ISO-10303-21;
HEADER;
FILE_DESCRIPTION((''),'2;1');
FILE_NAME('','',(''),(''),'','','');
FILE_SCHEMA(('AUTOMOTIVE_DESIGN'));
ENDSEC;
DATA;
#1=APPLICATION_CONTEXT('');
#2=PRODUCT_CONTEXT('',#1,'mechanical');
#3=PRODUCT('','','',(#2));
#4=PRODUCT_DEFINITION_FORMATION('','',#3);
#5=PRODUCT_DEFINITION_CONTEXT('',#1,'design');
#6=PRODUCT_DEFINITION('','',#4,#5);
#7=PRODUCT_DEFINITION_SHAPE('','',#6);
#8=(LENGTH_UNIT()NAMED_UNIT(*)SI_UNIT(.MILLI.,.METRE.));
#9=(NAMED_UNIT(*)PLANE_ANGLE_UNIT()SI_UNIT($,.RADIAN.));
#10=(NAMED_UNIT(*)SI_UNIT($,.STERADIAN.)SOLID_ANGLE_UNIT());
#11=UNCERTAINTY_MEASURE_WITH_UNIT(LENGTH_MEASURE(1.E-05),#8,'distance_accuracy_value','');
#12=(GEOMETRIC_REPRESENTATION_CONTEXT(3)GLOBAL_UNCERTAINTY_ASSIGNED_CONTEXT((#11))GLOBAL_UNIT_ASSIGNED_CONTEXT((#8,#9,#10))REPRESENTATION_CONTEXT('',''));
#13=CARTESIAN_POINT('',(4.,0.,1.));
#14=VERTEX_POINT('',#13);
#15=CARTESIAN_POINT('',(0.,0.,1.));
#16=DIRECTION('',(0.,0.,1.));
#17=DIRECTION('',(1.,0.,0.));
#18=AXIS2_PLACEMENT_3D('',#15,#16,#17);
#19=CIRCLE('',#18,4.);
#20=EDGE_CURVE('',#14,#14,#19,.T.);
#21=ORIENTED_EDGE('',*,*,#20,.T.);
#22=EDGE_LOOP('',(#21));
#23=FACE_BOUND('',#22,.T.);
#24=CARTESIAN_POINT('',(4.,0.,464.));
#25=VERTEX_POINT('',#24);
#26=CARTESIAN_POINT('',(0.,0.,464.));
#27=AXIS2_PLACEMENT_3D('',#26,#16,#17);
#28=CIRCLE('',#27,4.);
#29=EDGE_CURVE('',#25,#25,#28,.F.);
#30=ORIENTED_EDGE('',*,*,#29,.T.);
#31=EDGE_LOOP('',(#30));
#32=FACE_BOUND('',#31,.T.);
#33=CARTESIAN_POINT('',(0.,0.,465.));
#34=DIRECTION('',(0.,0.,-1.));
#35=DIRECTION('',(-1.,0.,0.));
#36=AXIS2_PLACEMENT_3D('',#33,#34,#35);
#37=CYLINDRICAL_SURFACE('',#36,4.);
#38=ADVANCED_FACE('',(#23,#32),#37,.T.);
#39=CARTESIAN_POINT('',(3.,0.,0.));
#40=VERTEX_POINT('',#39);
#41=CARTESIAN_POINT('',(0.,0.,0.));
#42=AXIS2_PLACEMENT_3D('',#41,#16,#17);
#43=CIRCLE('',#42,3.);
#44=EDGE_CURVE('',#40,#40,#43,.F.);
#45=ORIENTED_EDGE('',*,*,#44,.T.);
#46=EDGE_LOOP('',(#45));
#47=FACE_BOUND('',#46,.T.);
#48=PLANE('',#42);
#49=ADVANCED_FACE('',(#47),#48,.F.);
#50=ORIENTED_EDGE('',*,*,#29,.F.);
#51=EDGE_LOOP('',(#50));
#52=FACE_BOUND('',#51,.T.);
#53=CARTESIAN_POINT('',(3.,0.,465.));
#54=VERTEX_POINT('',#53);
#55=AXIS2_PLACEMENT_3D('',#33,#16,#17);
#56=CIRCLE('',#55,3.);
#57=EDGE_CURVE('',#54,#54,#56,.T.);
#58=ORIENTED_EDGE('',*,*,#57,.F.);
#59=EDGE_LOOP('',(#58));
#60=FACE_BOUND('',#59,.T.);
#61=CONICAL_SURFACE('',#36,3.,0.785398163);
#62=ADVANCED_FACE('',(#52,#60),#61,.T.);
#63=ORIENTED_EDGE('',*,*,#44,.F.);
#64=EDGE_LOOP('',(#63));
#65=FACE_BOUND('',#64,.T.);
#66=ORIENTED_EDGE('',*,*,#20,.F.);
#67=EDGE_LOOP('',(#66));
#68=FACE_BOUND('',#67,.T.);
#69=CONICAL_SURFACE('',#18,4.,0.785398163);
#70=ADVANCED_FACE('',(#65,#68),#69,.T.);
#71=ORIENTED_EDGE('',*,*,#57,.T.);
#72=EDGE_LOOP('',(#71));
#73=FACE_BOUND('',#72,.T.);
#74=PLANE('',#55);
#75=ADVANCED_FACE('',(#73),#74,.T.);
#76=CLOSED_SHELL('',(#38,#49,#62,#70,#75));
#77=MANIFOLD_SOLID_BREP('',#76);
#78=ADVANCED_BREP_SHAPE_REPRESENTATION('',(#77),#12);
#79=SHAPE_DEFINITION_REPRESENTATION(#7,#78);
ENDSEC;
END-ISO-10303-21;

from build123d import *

# Parameters (mm, degrees)
SCHIZZO1_R                   = 4
ESTRUSIONE_ESTRUSIONE1_DEPTH = 465
SMUSSO1_SIZE                 = 1


with BuildPart() as part:
    # Schizzo1 → Estrusione-Estrusione1 (new body)
    with BuildSketch(Plane.XY):
        Circle(SCHIZZO1_R)
    extrude(amount=ESTRUSIONE_ESTRUSIONE1_DEPTH)

    # Smusso1
    smusso1_edges = [part.edges().sort_by_distance(p)[0] for p in [
        (-4, 0, 0),
        (-4, 0, 465),
    ]]
    chamfer(smusso1_edges, length=SMUSSO1_SIZE)


solid = part.part
